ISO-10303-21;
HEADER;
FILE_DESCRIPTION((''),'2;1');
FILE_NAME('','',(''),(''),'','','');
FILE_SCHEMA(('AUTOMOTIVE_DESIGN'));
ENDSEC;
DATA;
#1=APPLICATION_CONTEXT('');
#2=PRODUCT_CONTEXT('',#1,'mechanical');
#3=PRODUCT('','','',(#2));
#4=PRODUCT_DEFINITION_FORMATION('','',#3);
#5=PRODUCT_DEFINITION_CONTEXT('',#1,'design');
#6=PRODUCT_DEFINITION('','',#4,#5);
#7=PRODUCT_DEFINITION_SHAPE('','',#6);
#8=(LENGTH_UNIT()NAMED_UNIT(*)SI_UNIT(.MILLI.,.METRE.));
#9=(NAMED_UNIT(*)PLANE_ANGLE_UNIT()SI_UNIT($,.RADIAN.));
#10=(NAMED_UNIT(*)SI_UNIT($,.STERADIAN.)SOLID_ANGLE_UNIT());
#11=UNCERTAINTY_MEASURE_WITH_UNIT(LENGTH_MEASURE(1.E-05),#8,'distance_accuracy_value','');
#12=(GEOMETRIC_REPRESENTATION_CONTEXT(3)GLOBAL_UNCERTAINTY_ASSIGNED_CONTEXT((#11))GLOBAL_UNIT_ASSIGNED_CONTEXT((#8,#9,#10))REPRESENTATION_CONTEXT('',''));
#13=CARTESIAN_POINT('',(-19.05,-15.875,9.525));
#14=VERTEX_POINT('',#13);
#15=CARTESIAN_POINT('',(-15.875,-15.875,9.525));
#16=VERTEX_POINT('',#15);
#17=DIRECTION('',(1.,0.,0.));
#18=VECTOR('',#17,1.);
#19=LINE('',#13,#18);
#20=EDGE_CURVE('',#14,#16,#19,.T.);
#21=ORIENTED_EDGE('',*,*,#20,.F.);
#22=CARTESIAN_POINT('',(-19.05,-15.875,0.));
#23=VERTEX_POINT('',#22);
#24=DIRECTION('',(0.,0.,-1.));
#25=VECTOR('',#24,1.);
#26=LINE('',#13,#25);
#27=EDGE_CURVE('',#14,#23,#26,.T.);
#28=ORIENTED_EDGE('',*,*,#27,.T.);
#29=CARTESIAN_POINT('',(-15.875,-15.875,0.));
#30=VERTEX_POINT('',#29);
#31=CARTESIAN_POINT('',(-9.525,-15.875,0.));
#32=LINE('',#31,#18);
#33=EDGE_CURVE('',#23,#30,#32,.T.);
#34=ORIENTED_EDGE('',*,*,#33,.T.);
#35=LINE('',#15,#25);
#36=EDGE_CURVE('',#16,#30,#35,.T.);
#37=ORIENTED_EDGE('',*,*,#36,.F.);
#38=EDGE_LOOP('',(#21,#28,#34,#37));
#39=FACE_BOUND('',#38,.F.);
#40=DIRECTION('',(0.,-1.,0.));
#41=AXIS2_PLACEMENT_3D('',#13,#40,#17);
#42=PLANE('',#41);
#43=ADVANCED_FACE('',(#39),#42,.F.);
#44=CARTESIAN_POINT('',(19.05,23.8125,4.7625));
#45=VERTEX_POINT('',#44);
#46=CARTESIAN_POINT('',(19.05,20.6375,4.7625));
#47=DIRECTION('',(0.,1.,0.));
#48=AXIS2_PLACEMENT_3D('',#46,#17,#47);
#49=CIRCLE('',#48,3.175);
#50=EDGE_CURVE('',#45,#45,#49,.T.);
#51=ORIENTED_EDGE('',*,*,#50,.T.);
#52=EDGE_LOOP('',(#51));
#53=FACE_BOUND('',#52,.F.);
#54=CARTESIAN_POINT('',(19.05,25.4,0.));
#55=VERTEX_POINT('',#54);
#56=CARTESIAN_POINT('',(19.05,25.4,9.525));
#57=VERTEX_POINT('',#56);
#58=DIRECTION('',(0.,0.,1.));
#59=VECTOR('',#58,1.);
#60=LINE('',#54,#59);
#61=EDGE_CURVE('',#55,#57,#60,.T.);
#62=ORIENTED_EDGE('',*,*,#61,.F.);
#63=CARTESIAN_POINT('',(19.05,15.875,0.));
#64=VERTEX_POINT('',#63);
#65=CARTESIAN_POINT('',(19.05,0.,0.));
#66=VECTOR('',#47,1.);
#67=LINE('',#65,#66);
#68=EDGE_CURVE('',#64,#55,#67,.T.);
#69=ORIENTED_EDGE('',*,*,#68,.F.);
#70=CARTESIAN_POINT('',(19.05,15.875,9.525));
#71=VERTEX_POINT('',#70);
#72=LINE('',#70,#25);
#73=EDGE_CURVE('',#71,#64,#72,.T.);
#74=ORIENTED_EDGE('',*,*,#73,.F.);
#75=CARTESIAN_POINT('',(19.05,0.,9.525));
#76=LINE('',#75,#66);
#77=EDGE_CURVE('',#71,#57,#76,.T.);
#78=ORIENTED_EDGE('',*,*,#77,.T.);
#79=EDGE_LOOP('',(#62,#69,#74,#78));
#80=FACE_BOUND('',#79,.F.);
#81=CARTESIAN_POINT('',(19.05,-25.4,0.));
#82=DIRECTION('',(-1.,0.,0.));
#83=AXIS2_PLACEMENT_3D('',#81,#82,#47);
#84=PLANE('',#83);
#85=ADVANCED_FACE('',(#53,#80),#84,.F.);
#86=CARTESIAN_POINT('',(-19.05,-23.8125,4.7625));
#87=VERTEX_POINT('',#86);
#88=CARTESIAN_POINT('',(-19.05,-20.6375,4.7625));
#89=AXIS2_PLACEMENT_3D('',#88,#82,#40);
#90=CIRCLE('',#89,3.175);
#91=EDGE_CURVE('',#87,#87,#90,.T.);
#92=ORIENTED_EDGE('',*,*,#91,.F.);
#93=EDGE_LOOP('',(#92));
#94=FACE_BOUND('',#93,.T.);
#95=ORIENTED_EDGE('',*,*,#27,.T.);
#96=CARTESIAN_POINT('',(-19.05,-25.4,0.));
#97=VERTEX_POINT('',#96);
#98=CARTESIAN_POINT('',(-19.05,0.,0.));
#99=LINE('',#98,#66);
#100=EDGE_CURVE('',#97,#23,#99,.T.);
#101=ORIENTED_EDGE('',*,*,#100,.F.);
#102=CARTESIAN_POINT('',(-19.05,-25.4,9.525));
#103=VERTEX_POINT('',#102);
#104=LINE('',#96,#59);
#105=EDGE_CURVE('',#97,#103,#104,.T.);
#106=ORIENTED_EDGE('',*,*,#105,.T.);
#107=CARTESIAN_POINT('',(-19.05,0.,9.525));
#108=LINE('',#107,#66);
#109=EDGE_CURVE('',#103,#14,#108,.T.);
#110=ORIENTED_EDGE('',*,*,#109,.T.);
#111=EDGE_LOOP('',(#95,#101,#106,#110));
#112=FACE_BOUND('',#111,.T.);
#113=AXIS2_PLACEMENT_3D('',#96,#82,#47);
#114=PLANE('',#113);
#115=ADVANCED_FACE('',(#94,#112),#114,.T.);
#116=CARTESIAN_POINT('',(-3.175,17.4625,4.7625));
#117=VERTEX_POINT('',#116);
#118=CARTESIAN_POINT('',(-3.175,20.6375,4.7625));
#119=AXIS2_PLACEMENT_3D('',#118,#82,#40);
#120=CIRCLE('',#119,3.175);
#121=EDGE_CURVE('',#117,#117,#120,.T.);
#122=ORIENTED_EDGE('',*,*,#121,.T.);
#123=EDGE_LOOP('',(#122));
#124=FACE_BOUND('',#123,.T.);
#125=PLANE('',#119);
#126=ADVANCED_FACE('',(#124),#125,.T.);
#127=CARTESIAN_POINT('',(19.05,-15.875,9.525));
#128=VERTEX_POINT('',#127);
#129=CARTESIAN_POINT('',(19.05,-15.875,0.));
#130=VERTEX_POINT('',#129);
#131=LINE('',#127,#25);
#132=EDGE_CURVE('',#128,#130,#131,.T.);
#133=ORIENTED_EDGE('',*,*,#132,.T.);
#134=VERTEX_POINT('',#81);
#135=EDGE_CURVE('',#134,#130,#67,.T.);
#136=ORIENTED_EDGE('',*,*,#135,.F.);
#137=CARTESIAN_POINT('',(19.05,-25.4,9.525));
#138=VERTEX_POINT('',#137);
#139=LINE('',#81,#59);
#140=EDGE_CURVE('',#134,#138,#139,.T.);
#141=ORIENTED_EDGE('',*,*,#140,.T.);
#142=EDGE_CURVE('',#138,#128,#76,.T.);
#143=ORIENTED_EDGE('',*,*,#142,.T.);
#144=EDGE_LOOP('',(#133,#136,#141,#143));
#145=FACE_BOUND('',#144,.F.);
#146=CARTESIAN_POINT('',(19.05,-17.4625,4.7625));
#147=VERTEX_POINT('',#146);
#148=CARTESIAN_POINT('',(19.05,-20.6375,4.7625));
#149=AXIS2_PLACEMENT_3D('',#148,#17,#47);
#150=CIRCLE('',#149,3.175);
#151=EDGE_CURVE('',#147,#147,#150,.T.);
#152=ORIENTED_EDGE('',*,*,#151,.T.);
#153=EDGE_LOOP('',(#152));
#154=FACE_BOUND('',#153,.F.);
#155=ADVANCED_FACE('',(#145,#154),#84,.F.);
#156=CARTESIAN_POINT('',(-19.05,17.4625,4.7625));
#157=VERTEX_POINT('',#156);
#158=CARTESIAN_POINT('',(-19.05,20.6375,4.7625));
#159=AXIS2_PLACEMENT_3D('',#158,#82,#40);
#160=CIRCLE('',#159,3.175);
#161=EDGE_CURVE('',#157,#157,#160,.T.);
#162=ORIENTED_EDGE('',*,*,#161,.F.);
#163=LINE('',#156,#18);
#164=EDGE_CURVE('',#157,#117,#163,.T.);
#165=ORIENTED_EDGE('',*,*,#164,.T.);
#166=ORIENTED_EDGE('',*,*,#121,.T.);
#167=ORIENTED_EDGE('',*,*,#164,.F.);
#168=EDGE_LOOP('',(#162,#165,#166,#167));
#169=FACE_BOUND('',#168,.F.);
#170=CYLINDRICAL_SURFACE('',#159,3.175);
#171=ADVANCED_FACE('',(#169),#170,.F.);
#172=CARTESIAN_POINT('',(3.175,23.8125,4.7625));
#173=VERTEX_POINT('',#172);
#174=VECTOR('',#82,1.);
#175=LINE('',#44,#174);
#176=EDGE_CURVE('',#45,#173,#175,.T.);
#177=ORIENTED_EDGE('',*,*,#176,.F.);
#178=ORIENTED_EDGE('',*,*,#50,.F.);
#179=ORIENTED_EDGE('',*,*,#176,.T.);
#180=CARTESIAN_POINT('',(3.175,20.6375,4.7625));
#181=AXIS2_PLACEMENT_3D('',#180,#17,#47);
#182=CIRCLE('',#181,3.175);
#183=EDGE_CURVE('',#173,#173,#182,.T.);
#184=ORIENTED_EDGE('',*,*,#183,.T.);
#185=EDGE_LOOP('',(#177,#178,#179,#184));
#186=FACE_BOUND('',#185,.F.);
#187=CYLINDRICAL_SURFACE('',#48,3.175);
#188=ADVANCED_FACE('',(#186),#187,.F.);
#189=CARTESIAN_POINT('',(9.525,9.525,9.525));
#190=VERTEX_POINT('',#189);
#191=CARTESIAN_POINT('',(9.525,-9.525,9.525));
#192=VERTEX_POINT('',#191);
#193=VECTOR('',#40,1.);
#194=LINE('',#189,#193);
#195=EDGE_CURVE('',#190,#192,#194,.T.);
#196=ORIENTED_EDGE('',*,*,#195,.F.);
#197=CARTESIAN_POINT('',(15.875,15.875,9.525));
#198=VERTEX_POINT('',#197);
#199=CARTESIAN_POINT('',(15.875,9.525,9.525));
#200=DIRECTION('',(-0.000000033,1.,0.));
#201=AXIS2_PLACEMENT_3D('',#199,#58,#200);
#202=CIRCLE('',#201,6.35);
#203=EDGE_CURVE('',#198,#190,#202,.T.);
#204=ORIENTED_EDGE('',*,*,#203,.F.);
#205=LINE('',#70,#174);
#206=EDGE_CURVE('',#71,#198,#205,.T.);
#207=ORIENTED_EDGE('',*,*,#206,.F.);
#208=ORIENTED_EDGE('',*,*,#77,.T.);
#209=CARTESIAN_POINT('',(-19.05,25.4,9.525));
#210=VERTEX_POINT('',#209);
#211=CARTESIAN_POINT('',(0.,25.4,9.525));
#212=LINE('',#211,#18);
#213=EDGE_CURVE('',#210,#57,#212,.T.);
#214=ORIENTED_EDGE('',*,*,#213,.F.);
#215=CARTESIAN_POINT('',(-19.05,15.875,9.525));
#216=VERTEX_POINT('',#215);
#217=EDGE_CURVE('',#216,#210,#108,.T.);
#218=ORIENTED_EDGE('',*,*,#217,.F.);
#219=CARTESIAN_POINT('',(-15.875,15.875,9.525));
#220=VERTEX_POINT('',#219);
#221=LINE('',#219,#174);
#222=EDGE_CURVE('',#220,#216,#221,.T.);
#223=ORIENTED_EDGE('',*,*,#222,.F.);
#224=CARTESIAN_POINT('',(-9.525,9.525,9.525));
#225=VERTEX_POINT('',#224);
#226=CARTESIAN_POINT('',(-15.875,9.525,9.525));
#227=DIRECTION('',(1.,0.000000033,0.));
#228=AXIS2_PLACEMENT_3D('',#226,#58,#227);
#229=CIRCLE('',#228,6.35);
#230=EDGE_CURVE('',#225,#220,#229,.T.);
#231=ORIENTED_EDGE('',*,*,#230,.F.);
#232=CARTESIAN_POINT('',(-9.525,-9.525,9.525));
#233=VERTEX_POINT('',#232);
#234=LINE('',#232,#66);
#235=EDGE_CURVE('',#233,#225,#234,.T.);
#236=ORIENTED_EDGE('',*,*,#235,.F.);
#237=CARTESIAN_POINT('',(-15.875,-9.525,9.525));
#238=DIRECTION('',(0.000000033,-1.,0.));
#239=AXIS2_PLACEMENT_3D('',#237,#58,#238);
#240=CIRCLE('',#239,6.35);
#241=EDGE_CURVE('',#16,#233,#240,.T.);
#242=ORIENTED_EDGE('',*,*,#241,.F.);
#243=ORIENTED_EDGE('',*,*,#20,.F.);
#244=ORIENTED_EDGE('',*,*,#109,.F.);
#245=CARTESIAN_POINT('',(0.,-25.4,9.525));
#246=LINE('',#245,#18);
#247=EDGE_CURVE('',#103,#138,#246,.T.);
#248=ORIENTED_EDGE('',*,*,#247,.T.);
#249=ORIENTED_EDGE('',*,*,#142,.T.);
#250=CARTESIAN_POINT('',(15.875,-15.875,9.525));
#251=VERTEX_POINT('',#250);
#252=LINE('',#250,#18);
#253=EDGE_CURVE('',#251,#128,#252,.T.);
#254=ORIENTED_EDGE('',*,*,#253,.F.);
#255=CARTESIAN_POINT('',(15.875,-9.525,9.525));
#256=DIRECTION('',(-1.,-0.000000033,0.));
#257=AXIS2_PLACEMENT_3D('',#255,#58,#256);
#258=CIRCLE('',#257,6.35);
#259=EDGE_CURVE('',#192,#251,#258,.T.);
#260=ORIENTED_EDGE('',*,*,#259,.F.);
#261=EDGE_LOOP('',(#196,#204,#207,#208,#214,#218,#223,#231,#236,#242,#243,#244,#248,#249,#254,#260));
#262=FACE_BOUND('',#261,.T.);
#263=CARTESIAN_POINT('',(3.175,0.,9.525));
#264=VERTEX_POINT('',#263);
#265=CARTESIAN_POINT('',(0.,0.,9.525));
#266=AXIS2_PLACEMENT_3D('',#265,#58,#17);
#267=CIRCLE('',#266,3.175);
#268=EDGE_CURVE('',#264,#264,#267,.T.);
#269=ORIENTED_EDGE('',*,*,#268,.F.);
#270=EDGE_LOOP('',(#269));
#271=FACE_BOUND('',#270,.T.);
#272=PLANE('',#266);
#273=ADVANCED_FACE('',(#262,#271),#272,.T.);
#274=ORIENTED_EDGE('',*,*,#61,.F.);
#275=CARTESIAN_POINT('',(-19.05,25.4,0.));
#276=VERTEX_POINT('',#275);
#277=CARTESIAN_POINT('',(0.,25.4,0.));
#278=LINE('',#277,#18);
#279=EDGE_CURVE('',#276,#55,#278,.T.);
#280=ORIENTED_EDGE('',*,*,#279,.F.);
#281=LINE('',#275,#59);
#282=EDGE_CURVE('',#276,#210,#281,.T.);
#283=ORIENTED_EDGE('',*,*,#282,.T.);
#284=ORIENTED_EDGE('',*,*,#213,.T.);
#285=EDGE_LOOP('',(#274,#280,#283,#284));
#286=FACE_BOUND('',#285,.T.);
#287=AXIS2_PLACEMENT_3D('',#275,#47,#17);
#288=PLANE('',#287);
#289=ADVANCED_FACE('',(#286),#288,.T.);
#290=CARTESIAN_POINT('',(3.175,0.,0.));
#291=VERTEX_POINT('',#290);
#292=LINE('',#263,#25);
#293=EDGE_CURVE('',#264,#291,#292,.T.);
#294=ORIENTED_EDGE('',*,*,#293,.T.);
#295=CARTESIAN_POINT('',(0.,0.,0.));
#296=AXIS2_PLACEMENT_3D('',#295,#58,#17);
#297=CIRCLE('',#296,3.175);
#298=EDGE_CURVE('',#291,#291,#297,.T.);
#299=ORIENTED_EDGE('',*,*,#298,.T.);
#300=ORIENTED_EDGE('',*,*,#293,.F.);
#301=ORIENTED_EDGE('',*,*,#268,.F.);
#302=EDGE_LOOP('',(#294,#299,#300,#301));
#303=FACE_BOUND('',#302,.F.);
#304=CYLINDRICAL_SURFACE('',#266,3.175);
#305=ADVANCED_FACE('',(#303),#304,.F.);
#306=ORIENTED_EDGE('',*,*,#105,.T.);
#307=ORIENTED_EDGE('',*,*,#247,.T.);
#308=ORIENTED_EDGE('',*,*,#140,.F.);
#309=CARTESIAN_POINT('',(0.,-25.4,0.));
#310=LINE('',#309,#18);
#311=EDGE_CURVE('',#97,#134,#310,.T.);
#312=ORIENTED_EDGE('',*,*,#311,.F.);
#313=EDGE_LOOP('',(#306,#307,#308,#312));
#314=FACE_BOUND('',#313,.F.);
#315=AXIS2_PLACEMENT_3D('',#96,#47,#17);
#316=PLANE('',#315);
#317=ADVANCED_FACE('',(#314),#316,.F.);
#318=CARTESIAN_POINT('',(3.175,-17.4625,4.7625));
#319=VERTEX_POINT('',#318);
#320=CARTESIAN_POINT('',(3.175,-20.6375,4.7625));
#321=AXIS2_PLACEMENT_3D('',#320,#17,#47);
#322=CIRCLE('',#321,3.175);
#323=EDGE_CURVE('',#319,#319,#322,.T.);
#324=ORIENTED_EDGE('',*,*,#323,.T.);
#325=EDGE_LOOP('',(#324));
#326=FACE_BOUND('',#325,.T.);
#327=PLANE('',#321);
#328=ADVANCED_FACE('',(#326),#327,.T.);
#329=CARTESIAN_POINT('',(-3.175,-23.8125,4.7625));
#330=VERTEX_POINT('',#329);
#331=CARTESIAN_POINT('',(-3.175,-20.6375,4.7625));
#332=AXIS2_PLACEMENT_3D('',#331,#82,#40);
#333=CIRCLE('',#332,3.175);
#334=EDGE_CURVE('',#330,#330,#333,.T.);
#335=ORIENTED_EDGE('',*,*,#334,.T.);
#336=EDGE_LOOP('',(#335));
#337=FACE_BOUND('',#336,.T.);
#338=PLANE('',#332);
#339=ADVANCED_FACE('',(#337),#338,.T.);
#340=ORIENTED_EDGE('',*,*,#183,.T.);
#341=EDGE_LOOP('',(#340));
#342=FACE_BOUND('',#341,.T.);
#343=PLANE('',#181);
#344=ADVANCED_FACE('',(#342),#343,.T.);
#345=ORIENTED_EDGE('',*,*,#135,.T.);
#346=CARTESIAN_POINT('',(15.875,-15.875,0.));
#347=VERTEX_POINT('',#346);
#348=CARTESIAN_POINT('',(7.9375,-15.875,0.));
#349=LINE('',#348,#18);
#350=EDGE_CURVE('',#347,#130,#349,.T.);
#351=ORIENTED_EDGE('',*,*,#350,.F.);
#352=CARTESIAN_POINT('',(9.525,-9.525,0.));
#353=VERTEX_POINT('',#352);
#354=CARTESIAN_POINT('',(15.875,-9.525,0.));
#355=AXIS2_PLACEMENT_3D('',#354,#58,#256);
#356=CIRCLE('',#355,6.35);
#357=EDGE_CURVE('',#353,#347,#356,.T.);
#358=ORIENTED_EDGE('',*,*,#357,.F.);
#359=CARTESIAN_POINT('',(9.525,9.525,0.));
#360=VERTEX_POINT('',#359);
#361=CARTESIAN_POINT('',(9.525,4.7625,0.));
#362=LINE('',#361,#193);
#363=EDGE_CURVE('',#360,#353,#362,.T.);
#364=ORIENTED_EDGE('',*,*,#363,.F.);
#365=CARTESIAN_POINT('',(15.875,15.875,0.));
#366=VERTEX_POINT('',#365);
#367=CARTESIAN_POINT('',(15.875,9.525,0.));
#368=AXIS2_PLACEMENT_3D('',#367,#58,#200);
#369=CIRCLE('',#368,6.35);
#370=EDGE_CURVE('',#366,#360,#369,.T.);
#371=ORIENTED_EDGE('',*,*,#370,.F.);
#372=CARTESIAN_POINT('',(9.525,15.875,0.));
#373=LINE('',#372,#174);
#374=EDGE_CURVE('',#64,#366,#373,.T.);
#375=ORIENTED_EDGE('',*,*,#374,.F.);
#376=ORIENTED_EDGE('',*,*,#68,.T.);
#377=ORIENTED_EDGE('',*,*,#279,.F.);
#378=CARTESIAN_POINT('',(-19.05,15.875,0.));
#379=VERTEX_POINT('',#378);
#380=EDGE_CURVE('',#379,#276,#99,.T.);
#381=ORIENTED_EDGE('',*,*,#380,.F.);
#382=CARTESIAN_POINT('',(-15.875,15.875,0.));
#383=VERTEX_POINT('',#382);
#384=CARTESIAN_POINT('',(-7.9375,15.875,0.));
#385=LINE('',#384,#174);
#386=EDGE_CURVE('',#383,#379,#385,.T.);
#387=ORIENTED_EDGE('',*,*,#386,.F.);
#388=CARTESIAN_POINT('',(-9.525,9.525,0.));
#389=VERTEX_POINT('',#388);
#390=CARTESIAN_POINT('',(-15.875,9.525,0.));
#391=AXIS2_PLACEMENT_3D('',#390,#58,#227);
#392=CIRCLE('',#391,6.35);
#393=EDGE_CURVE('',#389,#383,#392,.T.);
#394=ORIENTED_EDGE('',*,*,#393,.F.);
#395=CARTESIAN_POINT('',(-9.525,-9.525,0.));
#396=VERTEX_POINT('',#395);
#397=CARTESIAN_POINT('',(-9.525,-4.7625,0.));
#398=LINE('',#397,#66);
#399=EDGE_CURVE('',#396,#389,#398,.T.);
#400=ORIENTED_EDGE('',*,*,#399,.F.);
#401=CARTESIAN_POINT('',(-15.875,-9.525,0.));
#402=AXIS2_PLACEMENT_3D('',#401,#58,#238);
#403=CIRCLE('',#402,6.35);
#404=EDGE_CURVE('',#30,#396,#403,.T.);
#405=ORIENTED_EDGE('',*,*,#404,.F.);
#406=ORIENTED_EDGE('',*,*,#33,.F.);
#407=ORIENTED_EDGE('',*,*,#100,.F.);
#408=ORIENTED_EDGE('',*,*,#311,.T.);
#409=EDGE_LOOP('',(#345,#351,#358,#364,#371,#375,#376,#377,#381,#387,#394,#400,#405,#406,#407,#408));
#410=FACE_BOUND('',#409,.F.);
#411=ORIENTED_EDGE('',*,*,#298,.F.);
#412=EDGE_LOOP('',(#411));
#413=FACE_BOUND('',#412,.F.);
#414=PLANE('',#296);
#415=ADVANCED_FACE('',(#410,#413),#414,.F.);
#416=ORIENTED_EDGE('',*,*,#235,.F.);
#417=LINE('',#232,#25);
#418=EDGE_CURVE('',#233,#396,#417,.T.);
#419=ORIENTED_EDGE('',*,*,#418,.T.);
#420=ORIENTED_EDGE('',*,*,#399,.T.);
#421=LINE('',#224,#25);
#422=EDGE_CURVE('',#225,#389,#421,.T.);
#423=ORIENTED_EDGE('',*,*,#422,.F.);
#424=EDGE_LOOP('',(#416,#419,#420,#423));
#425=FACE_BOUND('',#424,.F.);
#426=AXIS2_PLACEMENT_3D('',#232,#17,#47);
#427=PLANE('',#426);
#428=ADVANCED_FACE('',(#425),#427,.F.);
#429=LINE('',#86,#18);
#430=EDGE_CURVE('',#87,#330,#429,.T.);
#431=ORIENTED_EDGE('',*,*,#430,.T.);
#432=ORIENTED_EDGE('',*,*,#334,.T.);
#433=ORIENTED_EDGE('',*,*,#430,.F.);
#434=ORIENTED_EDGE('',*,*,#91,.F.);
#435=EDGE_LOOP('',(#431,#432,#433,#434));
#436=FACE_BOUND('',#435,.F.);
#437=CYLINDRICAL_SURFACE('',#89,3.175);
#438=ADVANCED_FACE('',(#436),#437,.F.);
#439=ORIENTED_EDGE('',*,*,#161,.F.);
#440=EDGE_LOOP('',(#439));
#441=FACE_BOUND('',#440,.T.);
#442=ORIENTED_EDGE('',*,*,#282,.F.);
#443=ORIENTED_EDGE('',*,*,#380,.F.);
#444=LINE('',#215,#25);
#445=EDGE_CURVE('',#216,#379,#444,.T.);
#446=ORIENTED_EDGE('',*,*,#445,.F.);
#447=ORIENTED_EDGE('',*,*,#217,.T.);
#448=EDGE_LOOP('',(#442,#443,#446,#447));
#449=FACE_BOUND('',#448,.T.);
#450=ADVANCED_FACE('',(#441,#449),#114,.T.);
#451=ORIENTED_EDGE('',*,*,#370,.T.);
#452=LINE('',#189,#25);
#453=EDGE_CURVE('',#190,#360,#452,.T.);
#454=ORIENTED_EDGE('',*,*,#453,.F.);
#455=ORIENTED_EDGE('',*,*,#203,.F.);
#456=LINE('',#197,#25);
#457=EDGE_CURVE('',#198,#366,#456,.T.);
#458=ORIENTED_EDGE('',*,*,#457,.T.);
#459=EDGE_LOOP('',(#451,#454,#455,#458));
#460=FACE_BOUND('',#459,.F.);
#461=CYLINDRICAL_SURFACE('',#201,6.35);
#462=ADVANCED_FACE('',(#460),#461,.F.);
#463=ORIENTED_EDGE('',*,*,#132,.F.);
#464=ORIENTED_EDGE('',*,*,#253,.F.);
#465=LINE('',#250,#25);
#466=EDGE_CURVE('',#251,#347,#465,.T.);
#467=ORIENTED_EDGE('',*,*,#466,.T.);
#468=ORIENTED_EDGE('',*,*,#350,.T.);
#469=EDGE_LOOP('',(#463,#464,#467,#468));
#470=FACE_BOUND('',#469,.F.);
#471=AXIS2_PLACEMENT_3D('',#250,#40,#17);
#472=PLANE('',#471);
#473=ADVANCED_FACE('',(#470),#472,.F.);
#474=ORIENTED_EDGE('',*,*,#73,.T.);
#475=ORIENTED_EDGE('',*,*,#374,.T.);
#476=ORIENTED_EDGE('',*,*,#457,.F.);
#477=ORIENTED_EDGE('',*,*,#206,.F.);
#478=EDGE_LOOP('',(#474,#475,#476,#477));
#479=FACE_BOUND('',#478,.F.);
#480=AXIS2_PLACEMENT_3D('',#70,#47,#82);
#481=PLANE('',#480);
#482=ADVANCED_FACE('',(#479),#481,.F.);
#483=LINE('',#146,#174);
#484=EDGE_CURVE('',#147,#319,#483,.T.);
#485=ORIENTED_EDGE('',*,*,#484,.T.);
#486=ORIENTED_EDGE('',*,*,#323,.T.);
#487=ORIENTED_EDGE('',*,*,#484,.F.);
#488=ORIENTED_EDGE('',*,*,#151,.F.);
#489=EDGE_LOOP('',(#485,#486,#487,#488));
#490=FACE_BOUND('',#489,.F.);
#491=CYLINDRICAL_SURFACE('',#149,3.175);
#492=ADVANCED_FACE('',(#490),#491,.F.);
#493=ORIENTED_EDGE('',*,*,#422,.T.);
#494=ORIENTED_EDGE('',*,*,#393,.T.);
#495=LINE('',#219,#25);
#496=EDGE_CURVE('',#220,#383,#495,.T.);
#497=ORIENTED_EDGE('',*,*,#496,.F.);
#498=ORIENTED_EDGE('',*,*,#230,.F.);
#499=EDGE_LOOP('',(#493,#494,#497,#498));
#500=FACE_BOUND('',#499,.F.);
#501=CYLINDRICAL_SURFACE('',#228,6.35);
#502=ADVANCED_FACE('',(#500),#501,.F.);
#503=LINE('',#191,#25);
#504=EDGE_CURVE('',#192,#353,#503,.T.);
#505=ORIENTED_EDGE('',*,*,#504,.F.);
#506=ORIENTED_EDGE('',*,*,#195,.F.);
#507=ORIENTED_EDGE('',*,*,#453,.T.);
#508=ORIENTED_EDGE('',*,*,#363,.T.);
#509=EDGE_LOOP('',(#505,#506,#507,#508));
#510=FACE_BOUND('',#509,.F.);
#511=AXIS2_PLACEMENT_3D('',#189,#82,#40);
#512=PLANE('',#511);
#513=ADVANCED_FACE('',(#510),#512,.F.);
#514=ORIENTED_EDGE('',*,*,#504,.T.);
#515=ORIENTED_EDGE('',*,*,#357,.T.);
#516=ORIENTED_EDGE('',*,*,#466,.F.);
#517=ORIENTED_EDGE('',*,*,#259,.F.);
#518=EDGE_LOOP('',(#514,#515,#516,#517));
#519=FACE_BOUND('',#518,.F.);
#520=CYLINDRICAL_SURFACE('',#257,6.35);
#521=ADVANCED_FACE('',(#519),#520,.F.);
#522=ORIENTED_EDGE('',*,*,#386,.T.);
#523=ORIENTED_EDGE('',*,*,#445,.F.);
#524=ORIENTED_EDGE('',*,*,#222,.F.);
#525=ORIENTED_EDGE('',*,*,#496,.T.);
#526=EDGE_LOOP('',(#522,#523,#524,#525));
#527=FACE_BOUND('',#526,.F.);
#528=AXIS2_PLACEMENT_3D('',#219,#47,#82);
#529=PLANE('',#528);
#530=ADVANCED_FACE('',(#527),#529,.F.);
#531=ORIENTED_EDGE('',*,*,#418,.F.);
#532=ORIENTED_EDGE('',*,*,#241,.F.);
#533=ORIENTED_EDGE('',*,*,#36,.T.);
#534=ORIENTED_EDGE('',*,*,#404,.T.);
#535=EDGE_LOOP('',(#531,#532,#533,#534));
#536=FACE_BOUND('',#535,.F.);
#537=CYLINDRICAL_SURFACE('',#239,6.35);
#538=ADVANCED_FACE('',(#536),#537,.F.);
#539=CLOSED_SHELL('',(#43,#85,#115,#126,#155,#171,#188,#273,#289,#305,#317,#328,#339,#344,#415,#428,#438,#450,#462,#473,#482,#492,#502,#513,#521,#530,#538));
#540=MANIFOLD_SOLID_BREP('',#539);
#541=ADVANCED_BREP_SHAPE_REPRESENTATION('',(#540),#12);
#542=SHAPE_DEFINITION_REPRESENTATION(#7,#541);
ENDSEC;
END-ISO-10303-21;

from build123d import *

# Parameters (mm, degrees)
F0_W     = 38.1
F0_H     = 50.8
F1_DEPTH = 9.525
F3_DEPTH = 9.526
F4_R     = 3.175
F5_DEPTH = 15.875
F6_R     = 3.175
F7_DEPTH = 9.526
F8_R     = 3.175
F9_DEPTH = 15.875


with BuildPart() as f1:
    # F0 (on Top) → F1 (new body)
    with BuildSketch(Plane.XY):
        Rectangle(F0_W, F0_H)
    extrude(amount=F1_DEPTH)

    # F2 (on face) → F3 (cut, through all)
    with BuildSketch(Plane.XY.offset(9.525)):
        with BuildLine():
            Line((-15.875, 15.875), (-19.05, 15.875))
            Line((-19.05, 15.875), (-19.05, -15.875))
            Line((-19.05, -15.875), (-15.875, -15.875))
            ThreePointArc((-15.875, -15.875), (-11.384872, -14.015128), (-9.525, -9.525))
            Line((-9.525, -9.525), (-9.525, 9.525))
            ThreePointArc((-9.525, 9.525), (-11.384872, 14.015128), (-15.875, 15.875))
        make_face()
        with BuildLine():
            Line((19.05, 15.875), (15.875, 15.875))
            ThreePointArc((15.875, 15.875), (11.384872, 14.015128), (9.525, 9.525))
            Line((9.525, 9.525), (9.525, -9.525))
            ThreePointArc((9.525, -9.525), (11.384872, -14.015128), (15.875, -15.875))
            Line((15.875, -15.875), (19.05, -15.875))
            Line((19.05, -15.875), (19.05, 15.875))
        make_face()
    extrude(amount=-F3_DEPTH, mode=Mode.SUBTRACT)

    # F4 (on face) → F5 (cut)
    with BuildSketch(Plane(origin=(-19.05, 0, 0), x_dir=(0, -1, 0), z_dir=(-1, 0, 0))):
        with Locations((-20.6375, 4.7625)):
            Circle(F4_R)
        with Locations((20.6375, 4.7625)):
            Circle(F4_R)
    extrude(amount=-F5_DEPTH, mode=Mode.SUBTRACT)

    # F6 (on face) → F7 (cut, through all)
    with BuildSketch(Plane.XY.offset(9.525)):
        Circle(F6_R)
    extrude(amount=-F7_DEPTH, mode=Mode.SUBTRACT)

    # F8 (on face) → F9 (cut)
    with BuildSketch(Plane.YZ.offset(19.05)):
        with Locations((-20.6375, 4.7625)):
            Circle(F8_R)
        with Locations((20.6375, 4.7625)):
            Circle(F8_R)
    extrude(amount=-F9_DEPTH, mode=Mode.SUBTRACT)


solid = f1.part
